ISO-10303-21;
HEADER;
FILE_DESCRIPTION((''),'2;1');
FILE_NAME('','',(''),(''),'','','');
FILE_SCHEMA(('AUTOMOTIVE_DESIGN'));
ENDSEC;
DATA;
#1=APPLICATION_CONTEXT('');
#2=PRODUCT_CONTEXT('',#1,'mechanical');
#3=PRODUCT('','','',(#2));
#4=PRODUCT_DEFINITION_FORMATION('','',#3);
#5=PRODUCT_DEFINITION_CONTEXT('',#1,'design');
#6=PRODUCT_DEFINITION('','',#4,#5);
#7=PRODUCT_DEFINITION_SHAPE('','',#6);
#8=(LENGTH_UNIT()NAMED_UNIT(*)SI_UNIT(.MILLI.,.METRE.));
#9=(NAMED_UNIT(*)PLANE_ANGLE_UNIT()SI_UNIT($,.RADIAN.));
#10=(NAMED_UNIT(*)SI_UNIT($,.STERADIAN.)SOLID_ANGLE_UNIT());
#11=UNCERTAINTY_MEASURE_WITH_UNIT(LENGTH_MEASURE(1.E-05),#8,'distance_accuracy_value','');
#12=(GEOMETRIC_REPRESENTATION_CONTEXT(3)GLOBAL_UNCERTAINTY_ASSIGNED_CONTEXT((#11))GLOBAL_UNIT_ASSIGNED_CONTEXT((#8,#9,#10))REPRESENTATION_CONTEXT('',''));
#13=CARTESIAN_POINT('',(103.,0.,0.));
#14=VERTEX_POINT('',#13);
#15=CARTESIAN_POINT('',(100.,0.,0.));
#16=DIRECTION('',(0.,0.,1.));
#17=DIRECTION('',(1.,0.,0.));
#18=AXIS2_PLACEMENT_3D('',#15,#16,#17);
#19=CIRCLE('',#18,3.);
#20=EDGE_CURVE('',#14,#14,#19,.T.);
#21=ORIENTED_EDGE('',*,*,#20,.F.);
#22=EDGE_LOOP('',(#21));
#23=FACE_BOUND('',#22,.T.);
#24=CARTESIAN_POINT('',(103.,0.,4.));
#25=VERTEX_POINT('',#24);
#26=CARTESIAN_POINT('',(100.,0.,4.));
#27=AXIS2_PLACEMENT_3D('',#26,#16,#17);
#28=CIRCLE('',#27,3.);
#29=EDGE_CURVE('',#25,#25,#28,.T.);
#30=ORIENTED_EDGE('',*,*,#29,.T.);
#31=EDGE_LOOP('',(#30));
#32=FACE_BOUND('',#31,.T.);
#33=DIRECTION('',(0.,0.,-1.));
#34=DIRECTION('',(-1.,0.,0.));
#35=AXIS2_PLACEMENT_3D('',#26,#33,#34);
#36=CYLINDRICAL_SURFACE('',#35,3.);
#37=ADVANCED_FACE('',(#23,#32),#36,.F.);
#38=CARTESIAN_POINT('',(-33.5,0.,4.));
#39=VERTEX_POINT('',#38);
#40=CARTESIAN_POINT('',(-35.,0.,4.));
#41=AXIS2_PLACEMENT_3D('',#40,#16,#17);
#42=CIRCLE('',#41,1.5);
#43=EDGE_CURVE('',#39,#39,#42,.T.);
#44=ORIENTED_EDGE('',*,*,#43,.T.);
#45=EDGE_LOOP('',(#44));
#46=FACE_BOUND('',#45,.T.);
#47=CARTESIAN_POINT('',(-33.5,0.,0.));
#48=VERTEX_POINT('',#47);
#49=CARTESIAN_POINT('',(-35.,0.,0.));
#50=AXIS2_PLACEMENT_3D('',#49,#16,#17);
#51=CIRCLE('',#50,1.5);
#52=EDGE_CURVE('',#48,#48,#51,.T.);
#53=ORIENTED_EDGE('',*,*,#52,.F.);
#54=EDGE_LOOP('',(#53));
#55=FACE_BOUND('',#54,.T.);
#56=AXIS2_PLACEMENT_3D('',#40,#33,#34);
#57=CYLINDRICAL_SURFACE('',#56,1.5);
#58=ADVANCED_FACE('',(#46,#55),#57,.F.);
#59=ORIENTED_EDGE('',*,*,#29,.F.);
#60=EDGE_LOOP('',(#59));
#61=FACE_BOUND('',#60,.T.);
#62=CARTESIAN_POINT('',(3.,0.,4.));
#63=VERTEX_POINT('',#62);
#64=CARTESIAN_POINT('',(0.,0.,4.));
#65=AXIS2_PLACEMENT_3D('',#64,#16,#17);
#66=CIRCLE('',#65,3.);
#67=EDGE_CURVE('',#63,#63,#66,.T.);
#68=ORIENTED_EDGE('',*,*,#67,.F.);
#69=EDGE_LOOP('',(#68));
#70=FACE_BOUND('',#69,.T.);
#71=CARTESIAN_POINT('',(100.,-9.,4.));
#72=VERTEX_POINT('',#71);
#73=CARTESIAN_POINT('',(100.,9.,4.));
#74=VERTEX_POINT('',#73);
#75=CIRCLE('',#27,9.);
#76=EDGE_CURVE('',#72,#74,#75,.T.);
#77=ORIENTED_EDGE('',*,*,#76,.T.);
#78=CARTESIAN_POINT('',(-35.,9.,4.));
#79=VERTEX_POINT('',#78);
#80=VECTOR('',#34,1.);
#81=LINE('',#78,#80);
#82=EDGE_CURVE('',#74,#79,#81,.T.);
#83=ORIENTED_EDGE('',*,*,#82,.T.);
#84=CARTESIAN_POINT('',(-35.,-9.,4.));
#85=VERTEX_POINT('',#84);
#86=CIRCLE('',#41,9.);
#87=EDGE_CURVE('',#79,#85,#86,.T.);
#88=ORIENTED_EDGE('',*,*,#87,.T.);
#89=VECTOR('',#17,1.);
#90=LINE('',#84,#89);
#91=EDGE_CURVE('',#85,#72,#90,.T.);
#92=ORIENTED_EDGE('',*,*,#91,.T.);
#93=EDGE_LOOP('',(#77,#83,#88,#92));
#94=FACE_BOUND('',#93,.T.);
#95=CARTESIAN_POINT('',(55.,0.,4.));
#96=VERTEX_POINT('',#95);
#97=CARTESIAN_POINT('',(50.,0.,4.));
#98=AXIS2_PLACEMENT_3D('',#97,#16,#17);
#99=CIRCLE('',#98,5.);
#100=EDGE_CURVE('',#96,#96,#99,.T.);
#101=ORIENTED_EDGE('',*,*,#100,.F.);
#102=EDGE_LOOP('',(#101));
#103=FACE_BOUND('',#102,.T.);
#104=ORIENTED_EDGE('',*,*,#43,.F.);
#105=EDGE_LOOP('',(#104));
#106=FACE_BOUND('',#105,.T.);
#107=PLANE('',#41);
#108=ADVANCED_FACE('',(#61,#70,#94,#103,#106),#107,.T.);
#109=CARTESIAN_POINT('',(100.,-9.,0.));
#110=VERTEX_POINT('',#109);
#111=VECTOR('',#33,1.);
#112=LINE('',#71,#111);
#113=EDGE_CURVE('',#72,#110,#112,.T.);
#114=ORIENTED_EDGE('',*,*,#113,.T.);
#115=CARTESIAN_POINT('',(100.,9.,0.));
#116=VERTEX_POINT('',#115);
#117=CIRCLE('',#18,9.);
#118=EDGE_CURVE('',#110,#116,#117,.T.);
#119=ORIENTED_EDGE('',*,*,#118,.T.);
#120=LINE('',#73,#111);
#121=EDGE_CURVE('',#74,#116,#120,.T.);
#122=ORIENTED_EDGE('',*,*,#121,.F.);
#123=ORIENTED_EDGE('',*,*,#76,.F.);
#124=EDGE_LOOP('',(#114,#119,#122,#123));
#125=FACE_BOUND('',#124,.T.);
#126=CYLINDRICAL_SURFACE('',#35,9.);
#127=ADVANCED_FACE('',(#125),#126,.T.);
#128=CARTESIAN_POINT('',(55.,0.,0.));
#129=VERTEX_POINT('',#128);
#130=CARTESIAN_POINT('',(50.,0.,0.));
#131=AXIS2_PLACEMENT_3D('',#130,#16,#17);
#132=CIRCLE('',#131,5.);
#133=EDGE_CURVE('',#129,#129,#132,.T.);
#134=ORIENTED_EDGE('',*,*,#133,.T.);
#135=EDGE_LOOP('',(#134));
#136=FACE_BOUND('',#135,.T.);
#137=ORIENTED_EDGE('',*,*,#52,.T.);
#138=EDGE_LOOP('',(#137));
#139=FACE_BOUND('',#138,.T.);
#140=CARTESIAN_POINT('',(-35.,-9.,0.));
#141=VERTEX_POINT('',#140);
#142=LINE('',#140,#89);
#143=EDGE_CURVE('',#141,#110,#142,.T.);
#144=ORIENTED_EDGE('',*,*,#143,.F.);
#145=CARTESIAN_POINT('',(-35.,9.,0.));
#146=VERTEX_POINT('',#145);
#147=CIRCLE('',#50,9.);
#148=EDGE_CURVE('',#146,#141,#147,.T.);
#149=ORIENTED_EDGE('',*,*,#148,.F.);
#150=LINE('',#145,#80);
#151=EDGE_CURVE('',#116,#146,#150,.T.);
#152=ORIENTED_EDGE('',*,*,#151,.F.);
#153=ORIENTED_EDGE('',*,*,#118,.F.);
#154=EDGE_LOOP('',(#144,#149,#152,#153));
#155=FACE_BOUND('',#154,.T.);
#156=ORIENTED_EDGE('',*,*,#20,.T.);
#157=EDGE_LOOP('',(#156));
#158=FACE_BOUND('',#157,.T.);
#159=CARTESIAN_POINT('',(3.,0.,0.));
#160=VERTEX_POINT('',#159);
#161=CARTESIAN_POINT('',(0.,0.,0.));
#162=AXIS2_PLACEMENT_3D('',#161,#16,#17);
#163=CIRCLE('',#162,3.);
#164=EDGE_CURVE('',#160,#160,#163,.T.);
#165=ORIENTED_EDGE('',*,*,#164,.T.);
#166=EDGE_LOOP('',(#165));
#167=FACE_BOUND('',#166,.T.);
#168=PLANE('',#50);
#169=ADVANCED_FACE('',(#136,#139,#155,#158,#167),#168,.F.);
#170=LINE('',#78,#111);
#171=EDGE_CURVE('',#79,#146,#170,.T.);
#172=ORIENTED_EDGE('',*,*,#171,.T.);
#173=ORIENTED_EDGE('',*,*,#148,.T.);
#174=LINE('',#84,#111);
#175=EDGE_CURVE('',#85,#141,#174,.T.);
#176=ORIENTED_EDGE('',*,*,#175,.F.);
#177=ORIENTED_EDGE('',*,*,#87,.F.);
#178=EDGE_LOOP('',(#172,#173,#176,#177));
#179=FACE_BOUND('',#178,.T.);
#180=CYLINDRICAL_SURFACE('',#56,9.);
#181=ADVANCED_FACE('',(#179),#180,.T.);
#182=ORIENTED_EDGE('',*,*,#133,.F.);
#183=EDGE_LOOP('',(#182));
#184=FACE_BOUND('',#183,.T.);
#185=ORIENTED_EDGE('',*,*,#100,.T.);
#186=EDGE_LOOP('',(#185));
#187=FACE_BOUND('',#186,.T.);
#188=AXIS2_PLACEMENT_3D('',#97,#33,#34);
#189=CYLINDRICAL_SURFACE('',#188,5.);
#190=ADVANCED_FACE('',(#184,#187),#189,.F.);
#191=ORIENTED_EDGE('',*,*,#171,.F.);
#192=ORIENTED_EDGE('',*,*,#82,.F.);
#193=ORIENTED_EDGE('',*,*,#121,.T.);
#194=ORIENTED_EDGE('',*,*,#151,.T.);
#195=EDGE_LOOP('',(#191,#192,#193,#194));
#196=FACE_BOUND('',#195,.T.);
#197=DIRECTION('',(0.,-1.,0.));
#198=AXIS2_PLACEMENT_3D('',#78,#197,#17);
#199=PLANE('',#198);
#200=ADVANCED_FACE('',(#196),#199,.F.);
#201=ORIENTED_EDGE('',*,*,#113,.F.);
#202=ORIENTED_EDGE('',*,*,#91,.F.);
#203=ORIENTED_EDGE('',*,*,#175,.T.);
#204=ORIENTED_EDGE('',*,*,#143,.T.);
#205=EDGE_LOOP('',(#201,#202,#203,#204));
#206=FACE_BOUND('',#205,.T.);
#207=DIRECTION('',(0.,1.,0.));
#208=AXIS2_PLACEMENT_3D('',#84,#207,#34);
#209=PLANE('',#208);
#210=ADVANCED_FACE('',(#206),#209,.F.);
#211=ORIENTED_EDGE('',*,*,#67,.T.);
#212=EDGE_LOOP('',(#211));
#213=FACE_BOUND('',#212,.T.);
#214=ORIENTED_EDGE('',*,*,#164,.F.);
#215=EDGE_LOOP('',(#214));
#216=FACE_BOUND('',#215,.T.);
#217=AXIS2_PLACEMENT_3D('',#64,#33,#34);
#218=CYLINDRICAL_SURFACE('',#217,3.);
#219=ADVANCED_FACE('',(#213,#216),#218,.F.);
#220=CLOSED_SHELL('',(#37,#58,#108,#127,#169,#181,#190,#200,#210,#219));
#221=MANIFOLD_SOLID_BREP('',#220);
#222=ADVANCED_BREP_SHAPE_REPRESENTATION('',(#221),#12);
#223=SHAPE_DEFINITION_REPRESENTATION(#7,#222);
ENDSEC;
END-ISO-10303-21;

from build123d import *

# Parameters (mm, degrees)
SKETCH_1_R      = 3
SKETCH_1_R_2    = 1.5
SKETCH_1_R_3    = 5
EXTRUDE_1_DEPTH = 4


with BuildPart() as part:
    # ｽｹｯﾁ1 → ﾎﾞｽ - 押し出し1 (new body)
    with BuildSketch(Plane.XY):
        with BuildLine():
            Line((-35, 9), (100, 9))
            ThreePointArc((100, 9), (109, 0), (100, -9))
            Line((100, -9), (-35, -9))
            ThreePointArc((-35, -9), (-44, 0), (-35, 9))
        make_face()
        with Locations((100, 0)):
            Circle(SKETCH_1_R, mode=Mode.SUBTRACT)
        Circle(SKETCH_1_R, mode=Mode.SUBTRACT)
        with Locations((-35, 0)):
            Circle(SKETCH_1_R_2, mode=Mode.SUBTRACT)
        with Locations((50, 0)):
            Circle(SKETCH_1_R_3, mode=Mode.SUBTRACT)
    extrude(amount=EXTRUDE_1_DEPTH)


solid = part.part
